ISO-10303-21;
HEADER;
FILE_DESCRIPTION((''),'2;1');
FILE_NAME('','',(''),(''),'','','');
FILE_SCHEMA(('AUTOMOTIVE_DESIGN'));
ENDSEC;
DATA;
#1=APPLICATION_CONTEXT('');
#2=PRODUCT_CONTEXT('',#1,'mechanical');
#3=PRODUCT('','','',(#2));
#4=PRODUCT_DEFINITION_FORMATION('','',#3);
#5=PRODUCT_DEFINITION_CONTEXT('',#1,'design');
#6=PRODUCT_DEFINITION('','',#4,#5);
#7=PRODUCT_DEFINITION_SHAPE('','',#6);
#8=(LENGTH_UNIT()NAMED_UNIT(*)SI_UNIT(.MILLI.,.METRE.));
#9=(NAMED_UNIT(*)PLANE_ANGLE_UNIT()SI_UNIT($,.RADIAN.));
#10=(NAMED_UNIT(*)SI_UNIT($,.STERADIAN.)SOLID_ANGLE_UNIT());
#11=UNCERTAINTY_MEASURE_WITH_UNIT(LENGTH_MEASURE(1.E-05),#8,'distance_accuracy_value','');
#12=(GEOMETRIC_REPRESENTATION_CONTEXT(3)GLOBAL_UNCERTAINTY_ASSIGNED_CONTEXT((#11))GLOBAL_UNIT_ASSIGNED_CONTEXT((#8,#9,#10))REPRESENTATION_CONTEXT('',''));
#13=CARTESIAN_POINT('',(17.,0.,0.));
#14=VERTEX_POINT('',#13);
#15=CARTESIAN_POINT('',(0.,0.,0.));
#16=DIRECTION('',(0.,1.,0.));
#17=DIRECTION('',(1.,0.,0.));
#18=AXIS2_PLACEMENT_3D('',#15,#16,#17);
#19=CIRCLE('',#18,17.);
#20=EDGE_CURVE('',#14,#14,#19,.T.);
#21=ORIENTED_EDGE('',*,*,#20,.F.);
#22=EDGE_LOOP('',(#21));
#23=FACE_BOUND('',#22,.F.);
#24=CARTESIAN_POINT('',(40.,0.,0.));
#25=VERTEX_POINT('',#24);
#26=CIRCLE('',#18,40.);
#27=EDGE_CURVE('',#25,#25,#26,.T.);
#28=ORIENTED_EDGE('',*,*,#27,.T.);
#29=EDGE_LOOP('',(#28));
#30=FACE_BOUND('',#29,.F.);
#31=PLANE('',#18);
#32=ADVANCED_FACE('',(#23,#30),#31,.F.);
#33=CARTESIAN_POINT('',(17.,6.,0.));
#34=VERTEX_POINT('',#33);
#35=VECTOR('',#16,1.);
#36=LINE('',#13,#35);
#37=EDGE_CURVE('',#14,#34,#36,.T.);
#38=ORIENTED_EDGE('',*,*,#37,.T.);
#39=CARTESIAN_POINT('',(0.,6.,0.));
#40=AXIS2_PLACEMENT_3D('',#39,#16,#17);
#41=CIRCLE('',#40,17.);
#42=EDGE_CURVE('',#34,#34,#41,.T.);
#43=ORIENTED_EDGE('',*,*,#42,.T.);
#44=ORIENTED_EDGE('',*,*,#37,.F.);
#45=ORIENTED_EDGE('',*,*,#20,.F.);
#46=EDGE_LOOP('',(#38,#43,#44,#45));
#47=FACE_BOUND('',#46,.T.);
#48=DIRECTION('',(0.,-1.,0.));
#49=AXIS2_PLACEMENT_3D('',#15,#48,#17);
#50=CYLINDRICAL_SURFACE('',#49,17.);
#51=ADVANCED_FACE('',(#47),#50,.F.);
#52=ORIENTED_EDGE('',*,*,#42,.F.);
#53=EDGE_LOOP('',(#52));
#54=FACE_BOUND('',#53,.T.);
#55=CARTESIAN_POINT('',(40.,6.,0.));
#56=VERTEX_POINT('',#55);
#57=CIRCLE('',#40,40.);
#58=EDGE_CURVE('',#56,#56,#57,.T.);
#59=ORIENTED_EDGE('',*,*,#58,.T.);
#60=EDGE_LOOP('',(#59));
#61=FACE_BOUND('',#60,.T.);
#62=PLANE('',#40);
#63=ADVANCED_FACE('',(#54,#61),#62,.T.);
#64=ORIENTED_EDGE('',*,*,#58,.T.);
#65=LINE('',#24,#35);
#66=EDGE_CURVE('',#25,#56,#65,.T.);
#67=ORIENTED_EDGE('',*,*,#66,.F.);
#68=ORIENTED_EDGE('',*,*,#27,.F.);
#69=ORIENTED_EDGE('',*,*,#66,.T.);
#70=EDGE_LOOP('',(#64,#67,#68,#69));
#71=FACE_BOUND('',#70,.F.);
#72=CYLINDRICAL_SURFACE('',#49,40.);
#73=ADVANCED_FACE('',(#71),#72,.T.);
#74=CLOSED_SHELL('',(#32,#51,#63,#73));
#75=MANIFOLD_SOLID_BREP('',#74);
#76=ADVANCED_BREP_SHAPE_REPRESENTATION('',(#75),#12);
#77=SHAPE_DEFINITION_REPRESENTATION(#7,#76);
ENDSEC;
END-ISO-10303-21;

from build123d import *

# Parameters (mm, degrees)
SKETCH1_R           = 40
SKETCH1_R_2         = 17
BOSS_EXTRUDE1_DEPTH = 6


with BuildPart() as part:
    # Sketch1 → Boss-Extrude1 (new body)
    with BuildSketch(Plane(origin=(0, 0, 0), x_dir=(1, 0, 0), z_dir=(0, 1, 0))):
        Circle(SKETCH1_R)
        Circle(SKETCH1_R_2, mode=Mode.SUBTRACT)
    extrude(amount=BOSS_EXTRUDE1_DEPTH)


solid = part.part
